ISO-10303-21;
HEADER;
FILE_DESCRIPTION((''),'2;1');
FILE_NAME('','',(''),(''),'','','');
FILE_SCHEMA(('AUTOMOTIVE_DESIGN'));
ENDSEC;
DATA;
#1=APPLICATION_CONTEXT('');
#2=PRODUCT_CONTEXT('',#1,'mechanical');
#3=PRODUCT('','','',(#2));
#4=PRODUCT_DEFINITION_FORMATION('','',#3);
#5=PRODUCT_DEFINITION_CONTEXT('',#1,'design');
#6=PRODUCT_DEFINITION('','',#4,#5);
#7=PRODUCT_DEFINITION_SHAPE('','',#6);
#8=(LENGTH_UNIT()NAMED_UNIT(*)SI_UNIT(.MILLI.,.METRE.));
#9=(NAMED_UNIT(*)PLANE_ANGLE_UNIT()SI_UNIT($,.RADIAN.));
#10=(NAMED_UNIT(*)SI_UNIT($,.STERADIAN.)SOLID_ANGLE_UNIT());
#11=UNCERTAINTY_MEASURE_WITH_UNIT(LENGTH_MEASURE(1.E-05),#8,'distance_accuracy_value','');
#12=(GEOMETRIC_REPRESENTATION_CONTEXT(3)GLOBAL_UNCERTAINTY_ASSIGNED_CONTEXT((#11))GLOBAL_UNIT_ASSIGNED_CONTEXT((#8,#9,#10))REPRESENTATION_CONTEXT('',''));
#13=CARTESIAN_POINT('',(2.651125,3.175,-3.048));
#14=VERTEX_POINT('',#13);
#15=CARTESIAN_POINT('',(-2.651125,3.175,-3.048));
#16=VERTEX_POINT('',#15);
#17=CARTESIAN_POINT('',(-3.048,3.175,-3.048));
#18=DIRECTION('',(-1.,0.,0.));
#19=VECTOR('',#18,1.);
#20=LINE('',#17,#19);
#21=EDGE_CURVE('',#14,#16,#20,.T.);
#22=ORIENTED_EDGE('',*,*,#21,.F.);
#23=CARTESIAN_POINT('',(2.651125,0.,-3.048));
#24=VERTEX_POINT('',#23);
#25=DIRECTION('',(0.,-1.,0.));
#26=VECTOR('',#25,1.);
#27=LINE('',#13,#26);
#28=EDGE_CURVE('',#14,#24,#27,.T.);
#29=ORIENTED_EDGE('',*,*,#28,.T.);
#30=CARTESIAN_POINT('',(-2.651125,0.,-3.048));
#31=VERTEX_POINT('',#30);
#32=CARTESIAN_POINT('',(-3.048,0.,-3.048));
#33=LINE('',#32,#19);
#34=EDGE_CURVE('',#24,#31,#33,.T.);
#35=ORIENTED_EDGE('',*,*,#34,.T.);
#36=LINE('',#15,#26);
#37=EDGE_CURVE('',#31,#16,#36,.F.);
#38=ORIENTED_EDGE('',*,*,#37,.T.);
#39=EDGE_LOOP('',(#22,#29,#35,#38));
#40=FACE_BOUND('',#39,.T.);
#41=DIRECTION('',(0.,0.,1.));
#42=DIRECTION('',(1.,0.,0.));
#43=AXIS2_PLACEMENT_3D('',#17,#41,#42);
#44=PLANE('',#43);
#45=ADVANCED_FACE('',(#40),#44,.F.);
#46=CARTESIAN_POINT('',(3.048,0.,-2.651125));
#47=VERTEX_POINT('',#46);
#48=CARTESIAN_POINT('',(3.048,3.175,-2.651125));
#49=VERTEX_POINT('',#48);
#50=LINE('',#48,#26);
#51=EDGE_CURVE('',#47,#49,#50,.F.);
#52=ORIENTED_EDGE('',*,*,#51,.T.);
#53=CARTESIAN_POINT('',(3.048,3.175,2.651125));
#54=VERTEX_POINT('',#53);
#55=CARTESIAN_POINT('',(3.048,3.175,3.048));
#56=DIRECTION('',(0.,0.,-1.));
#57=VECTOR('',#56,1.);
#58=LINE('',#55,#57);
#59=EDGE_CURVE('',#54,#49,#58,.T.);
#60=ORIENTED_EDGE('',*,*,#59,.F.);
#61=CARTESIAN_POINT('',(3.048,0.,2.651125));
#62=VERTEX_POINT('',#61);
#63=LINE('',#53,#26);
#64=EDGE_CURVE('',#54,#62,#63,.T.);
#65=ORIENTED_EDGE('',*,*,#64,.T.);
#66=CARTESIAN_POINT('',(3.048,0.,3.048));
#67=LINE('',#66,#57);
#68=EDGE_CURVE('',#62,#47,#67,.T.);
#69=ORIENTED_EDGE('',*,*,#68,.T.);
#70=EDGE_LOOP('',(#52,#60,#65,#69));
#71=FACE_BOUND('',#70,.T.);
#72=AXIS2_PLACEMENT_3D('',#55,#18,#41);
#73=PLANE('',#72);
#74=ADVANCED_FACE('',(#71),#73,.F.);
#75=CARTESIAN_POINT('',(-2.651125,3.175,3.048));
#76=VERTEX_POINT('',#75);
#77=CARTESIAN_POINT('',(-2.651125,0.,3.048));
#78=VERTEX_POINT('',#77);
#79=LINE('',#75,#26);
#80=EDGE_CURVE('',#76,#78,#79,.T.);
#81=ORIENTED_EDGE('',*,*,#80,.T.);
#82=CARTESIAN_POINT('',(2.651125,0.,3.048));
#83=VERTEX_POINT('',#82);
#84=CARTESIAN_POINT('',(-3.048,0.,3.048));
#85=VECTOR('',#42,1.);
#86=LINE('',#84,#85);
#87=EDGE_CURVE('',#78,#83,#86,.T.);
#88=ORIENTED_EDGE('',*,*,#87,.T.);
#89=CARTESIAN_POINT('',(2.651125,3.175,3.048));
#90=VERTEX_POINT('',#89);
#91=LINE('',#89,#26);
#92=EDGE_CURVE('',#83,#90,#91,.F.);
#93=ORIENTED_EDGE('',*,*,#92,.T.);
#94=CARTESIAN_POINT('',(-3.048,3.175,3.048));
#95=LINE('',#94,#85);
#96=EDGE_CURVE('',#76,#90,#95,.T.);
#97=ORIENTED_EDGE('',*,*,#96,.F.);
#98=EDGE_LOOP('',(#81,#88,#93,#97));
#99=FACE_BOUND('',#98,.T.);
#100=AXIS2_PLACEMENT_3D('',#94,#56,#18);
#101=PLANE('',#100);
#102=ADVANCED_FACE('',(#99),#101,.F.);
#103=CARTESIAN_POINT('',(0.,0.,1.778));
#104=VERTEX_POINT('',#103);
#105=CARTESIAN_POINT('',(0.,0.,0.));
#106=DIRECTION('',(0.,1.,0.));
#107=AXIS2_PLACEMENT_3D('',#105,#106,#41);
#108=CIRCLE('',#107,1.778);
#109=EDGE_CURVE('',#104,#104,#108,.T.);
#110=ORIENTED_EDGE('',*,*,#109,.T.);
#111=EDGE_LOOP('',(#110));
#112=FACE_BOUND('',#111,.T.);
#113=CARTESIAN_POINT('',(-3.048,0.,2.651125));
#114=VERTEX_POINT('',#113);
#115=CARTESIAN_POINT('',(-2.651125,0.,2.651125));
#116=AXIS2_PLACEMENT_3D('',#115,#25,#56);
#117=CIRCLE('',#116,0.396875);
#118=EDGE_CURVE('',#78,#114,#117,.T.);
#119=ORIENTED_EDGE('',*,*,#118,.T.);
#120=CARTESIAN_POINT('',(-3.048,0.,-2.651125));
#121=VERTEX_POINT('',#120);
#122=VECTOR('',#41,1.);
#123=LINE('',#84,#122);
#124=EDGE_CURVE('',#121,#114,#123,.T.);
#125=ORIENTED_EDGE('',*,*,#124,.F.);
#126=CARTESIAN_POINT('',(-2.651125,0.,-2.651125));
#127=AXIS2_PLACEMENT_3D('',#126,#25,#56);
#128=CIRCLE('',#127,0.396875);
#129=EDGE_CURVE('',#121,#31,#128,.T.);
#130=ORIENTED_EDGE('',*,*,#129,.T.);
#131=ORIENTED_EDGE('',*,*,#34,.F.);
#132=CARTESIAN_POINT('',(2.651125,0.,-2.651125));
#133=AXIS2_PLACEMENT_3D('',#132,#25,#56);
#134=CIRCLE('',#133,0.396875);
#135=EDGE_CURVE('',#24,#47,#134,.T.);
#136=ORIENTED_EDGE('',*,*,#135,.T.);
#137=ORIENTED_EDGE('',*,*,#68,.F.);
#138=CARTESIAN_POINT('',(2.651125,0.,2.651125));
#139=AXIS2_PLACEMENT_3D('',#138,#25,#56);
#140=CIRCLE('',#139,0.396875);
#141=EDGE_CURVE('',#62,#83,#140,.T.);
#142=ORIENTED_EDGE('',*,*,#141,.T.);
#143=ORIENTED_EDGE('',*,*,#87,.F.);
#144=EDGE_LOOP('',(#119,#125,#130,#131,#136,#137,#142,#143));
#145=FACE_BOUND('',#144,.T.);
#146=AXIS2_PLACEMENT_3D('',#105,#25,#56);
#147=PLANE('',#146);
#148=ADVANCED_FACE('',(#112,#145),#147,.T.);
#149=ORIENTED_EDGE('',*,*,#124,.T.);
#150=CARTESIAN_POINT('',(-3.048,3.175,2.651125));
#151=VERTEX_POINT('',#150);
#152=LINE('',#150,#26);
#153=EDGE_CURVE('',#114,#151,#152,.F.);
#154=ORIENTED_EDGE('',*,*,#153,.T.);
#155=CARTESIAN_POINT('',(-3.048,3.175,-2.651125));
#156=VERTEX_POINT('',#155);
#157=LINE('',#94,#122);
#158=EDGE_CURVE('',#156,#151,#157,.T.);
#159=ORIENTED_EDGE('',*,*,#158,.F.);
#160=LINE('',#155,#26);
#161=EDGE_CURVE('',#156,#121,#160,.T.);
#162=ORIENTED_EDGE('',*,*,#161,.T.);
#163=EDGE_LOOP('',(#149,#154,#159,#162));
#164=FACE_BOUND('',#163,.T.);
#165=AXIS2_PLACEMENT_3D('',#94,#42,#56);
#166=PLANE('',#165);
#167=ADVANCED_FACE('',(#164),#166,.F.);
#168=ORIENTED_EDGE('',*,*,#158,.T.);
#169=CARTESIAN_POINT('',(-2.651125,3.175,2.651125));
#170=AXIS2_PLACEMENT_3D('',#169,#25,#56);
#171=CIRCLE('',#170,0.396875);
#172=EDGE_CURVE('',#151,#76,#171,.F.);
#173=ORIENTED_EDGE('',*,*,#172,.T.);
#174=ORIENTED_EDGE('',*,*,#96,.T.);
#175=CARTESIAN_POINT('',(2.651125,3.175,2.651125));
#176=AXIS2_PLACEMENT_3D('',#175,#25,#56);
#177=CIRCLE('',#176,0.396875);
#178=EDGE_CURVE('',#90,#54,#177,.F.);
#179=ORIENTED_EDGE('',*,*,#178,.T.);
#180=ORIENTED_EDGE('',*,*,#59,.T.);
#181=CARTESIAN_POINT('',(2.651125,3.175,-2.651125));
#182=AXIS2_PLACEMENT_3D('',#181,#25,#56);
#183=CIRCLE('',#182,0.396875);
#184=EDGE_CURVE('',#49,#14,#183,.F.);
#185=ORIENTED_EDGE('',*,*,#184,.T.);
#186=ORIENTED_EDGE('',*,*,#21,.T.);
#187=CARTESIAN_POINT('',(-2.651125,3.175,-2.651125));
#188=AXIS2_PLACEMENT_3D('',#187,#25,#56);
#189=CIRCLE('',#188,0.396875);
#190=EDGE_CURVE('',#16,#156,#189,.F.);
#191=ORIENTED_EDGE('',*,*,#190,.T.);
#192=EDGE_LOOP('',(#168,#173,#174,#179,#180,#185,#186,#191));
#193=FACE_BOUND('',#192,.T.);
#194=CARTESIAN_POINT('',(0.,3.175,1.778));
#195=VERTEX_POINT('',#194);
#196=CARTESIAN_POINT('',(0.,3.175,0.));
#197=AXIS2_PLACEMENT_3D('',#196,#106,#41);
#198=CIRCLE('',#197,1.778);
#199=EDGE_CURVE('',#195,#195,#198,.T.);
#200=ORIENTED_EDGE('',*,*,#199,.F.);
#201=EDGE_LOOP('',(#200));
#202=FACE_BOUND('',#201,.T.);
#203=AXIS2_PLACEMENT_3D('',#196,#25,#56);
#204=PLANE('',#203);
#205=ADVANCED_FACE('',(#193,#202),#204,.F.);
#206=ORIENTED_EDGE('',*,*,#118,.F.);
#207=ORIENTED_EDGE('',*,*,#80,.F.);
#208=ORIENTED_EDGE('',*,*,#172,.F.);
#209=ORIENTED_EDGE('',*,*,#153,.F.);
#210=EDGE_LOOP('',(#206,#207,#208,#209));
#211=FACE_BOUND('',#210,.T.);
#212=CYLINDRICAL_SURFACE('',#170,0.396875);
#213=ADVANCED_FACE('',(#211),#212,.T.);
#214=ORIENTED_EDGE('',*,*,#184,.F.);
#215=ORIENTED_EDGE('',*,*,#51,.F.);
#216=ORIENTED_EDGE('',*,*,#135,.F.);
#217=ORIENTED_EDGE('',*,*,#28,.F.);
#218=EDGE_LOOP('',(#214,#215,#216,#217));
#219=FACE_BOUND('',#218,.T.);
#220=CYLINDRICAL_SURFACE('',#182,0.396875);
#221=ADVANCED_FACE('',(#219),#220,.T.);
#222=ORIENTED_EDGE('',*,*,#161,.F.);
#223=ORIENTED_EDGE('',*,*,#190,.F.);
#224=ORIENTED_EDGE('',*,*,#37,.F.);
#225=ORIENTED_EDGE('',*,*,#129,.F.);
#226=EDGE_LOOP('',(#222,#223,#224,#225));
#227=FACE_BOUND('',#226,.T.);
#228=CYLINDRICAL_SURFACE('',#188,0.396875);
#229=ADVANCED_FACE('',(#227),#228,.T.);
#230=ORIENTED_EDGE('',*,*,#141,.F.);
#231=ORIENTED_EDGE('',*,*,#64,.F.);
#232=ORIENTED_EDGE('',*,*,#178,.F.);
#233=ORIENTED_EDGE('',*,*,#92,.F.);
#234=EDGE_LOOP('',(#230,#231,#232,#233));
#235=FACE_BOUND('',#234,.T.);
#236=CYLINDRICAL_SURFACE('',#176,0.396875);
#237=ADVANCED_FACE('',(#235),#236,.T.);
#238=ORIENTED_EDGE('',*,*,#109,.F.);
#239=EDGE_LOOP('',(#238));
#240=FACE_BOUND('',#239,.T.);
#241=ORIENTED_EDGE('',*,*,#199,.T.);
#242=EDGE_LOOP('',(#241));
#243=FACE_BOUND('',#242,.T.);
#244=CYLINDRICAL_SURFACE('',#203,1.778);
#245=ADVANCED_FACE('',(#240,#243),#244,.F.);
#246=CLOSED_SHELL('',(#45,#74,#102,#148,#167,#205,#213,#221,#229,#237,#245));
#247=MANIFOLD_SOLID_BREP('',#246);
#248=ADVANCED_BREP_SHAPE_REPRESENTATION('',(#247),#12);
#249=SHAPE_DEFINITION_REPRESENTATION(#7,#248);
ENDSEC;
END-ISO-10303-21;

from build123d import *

# Parameters (mm, degrees)
SKETCH1_W           = 6.096
SKETCH1_H           = 6.096
SKETCH1_R           = 1.778
BOSS_EXTRUDE1_DEPTH = 3.175
FILLET1_R           = 0.396875


with BuildPart() as part:
    # Sketch1 → Boss-Extrude1 (new body)
    with BuildSketch(Plane(origin=(0, 0, 0), x_dir=(1, 0, 0), z_dir=(0, 1, 0))):
        Rectangle(SKETCH1_W, SKETCH1_H)
        with Locations(Location((0, 0, 0), (0, 0, 270))):
            Circle(SKETCH1_R, mode=Mode.SUBTRACT)
    extrude(amount=BOSS_EXTRUDE1_DEPTH)

    # Fillet1
    fillet1_edges = [part.edges().sort_by_distance(p)[0] for p in [
        (3.048, 1.5875, 3.048),
        (-3.048, 1.5875, 3.048),
        (-3.048, 1.5875, -3.048),
        (3.048, 1.5875, -3.048),
    ]]
    fillet(fillet1_edges, radius=FILLET1_R)


solid = part.part
